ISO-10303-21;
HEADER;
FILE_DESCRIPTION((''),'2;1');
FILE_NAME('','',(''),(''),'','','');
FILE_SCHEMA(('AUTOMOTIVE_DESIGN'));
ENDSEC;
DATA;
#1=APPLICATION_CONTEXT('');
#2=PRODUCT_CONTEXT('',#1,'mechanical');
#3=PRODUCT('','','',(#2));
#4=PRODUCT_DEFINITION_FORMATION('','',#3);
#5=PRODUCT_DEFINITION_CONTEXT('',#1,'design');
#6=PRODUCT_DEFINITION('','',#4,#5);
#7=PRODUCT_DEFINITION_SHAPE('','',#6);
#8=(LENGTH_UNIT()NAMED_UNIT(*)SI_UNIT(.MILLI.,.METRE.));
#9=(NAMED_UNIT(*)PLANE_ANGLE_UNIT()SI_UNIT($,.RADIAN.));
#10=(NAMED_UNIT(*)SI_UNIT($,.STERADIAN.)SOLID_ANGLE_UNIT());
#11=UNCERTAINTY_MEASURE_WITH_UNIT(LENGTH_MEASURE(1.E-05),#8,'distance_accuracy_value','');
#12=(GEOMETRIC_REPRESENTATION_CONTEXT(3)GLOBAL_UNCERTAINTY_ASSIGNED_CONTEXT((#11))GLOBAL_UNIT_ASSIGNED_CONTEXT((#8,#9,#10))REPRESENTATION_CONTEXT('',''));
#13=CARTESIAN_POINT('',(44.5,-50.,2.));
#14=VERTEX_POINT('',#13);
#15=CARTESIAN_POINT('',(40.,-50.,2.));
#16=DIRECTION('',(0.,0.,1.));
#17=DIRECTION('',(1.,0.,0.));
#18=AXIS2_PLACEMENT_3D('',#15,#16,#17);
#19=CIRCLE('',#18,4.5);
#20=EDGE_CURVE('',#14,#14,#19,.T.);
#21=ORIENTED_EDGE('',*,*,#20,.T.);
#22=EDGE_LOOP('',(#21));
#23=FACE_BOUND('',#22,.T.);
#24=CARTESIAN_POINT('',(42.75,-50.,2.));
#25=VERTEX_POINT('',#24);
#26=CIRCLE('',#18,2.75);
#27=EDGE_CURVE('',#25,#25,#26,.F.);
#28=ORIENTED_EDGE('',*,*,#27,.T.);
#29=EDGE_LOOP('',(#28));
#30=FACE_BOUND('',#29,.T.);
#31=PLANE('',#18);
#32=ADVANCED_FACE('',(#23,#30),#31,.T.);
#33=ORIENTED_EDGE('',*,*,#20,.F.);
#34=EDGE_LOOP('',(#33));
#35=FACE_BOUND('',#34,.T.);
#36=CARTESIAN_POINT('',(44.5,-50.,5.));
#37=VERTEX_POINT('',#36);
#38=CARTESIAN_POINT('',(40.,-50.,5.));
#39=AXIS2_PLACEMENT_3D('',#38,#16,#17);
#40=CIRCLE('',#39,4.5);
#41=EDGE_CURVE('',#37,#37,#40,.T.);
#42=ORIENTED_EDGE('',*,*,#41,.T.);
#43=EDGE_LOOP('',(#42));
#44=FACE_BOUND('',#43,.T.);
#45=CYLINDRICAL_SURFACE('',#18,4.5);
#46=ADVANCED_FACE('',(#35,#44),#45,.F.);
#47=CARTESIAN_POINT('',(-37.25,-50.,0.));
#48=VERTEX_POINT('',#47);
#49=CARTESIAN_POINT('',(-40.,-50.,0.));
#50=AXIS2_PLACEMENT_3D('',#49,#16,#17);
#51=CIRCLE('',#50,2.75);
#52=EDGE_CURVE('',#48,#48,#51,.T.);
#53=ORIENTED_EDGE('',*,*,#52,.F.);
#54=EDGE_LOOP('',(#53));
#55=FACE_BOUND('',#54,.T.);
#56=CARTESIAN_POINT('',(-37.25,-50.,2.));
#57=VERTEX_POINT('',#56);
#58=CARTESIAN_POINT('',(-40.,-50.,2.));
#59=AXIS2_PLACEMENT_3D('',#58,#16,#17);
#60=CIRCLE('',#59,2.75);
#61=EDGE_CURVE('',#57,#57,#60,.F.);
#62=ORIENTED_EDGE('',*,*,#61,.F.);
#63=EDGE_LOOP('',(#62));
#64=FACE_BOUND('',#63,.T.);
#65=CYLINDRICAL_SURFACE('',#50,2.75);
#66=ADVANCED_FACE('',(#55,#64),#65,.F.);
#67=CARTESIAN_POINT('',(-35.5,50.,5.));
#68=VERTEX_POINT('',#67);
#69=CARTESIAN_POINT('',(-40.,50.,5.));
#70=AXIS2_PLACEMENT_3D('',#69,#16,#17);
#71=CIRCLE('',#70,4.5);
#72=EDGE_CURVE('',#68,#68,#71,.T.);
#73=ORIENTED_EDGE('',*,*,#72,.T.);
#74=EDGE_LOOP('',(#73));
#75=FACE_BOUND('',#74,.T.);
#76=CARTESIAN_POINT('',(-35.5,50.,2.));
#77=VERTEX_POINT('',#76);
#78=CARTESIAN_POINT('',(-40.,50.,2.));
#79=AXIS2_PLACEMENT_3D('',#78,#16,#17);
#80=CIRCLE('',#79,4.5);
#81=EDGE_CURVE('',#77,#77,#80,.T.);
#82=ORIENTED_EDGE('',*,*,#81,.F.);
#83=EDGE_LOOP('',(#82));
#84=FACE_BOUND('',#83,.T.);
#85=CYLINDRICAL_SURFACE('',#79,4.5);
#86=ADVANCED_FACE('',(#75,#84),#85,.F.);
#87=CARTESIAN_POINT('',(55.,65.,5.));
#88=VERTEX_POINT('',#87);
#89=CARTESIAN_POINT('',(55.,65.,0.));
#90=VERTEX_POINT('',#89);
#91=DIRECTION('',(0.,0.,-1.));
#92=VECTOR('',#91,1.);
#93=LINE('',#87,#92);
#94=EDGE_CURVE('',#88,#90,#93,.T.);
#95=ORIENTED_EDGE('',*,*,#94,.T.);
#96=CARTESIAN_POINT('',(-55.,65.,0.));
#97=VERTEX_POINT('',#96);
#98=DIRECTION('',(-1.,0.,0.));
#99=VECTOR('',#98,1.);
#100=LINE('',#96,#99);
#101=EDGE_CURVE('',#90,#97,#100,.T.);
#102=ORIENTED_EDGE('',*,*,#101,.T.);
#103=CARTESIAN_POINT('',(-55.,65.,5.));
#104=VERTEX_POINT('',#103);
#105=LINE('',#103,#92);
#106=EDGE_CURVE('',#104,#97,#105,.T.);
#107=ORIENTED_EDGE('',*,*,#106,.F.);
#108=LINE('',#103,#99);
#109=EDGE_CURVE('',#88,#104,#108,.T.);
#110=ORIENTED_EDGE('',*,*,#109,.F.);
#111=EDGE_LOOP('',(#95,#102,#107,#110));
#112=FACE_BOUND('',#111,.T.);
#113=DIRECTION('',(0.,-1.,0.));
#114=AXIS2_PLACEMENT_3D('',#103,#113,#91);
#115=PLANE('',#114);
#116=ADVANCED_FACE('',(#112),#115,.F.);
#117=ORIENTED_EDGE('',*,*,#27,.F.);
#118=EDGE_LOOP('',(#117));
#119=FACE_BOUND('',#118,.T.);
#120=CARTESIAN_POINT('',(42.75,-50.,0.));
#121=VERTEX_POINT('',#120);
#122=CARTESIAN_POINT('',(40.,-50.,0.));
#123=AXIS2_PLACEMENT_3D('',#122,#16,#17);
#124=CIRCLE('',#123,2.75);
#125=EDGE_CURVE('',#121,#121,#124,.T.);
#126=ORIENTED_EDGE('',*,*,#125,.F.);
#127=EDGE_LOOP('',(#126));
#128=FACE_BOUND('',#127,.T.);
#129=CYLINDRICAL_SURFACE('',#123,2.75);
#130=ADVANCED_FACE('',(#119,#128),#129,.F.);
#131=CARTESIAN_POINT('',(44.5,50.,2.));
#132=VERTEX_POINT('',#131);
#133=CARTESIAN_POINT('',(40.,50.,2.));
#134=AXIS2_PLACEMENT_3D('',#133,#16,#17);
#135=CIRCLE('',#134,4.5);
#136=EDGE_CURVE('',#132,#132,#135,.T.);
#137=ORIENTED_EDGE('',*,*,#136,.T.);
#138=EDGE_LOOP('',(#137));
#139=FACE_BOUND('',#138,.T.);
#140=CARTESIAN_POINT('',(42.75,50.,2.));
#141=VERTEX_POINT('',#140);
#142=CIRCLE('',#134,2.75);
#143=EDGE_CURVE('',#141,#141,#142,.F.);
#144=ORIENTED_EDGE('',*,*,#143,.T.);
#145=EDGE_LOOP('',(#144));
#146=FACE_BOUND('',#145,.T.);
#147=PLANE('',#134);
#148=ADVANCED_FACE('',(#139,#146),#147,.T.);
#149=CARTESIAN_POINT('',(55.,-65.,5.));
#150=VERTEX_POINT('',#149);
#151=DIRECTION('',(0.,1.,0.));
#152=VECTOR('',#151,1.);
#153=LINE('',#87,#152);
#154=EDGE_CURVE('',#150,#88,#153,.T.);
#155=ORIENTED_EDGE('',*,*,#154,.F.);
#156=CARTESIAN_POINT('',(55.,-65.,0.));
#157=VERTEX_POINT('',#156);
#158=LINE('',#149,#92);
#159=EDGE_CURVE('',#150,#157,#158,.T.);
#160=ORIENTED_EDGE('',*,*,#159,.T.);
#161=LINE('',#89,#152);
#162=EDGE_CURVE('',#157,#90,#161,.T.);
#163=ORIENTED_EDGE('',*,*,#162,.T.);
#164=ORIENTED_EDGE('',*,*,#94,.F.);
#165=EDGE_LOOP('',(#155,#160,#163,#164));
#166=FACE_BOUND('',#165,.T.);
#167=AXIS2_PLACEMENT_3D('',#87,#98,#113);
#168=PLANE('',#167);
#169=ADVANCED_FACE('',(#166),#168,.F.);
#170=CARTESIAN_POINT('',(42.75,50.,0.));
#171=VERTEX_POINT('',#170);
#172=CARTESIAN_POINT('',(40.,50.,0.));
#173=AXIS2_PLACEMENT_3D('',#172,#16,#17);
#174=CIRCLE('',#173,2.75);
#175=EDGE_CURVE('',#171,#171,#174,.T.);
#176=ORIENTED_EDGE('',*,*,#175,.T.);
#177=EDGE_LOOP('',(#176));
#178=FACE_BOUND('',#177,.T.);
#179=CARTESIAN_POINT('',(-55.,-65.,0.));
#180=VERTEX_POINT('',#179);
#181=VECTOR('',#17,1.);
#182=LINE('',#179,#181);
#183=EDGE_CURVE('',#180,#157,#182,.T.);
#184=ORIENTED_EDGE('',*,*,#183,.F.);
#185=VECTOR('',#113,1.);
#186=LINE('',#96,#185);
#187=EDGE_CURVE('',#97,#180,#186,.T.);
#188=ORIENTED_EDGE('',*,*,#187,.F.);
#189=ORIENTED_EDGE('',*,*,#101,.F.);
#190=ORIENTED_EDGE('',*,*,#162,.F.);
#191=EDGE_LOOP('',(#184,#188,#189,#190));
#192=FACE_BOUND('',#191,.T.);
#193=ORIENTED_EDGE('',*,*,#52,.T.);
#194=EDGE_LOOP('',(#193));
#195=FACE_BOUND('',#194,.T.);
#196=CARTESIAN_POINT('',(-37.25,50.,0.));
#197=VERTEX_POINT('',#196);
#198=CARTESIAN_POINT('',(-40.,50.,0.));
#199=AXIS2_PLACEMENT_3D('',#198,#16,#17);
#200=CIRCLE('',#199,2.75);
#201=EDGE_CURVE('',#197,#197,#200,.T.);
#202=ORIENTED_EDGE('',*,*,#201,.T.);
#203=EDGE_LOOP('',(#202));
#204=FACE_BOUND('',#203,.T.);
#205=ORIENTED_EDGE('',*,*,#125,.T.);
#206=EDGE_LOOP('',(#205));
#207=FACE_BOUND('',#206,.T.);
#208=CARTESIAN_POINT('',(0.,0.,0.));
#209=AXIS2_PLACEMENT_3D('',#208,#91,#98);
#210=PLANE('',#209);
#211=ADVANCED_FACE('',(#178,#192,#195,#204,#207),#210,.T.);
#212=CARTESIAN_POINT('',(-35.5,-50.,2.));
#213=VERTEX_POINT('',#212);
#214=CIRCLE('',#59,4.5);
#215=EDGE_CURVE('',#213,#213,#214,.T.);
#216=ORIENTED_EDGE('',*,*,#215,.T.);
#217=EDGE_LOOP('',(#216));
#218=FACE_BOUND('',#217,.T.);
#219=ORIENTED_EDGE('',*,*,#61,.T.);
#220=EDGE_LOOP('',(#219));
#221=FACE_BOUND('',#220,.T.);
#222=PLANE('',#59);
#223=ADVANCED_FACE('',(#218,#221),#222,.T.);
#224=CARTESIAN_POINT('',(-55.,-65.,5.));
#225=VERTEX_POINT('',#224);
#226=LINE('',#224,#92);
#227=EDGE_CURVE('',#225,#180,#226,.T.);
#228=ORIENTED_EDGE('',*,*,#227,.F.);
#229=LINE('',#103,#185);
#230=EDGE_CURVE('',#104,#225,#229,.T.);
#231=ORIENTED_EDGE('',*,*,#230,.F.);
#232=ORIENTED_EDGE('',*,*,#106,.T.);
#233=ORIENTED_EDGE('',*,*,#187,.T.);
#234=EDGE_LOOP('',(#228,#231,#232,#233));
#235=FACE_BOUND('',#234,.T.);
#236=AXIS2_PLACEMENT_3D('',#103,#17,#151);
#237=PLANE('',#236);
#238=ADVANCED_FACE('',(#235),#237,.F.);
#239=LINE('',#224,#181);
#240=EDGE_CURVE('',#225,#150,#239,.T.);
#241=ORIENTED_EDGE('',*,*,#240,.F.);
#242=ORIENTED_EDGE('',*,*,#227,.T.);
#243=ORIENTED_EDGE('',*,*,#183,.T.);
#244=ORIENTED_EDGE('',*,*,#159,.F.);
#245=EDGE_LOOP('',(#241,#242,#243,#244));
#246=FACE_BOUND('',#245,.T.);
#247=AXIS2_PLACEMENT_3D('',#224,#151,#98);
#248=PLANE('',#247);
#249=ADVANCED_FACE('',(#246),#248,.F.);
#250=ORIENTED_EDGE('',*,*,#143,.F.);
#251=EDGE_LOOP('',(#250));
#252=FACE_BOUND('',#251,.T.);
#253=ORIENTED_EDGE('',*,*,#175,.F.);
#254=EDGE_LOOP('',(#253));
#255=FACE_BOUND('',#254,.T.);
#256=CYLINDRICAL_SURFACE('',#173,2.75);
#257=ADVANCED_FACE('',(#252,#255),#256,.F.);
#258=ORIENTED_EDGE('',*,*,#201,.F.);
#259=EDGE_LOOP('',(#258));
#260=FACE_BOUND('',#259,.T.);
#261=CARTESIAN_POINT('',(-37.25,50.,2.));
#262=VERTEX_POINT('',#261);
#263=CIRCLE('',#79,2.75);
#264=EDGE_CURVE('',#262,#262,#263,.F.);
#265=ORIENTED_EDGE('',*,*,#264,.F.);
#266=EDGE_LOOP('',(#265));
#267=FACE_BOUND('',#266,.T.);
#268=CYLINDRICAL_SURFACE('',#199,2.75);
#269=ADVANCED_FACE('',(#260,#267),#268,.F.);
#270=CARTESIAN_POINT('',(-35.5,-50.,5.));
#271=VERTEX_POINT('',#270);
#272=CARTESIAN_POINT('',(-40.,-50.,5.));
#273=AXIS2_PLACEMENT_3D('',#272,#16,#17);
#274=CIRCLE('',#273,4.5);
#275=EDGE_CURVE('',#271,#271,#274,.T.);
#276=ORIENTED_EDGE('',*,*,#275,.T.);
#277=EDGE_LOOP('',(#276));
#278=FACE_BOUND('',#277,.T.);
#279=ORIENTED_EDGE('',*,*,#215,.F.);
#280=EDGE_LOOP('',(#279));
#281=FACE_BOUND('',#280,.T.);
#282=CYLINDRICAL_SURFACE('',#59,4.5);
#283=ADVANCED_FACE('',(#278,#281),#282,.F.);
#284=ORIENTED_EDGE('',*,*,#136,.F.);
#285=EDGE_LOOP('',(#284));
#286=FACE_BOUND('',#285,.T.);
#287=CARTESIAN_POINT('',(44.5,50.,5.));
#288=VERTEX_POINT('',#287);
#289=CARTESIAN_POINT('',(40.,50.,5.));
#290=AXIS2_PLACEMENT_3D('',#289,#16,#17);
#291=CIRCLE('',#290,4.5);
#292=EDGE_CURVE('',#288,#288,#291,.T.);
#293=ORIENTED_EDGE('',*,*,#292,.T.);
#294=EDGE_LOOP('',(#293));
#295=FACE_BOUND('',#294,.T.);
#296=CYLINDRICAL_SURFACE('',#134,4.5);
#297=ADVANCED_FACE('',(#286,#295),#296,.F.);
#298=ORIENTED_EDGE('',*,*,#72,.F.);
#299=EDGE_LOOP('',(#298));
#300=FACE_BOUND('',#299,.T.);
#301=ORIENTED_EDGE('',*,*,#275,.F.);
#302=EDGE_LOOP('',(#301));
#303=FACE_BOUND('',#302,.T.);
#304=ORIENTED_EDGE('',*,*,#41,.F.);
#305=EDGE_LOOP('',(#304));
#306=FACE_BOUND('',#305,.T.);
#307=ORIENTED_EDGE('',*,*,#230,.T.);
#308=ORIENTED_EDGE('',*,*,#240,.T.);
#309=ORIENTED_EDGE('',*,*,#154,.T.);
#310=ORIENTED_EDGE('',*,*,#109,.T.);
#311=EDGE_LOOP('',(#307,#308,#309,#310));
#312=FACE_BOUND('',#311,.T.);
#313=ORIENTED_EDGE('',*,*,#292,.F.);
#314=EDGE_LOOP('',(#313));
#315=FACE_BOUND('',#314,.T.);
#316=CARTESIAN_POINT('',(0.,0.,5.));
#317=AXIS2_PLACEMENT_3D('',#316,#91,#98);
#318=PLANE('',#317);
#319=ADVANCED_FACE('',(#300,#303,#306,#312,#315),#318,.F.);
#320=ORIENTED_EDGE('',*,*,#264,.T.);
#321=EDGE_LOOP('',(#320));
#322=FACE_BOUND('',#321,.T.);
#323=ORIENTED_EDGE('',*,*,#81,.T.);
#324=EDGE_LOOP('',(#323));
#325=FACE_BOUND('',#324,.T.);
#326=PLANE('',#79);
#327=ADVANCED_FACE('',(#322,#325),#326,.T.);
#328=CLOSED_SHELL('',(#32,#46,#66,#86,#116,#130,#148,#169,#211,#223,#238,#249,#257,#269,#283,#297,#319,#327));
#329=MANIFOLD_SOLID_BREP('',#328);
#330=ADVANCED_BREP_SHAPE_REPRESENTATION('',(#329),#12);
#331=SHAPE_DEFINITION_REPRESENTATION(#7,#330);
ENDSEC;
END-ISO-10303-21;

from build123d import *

# Parameters (mm, degrees)
SKETCH1_W           = 130
SKETCH1_H           = 110
BOSS_EXTRUDE1_DEPTH = 5
SKETCH3_R           = 2.75
CUT_EXTRUDE1_DEPTH  = 86.293610546
SKETCH4_R           = 4.5
CUT_EXTRUDE2_DEPTH  = 3


with BuildPart() as part:
    # Sketch1 → Boss-Extrude1 (new body)
    with BuildSketch(Plane(origin=(0, 0, 0), x_dir=(0, 1, 0), z_dir=(0, 0, 1))):
        Rectangle(SKETCH1_W, SKETCH1_H)
    extrude(amount=BOSS_EXTRUDE1_DEPTH)

    # Sketch3 → Cut-Extrude1 (cut, through all)
    with BuildSketch(Plane.XY.offset(5)):
        with Locations((-40, 50)):
            Circle(SKETCH3_R)
        with Locations((40, -50)):
            Circle(SKETCH3_R)
        with Locations((-40, -50)):
            Circle(SKETCH3_R)
        with Locations((40, 50)):
            Circle(SKETCH3_R)
    extrude(amount=-CUT_EXTRUDE1_DEPTH, mode=Mode.SUBTRACT)

    # Sketch4 → Cut-Extrude2 (cut)
    with BuildSketch(Plane.XY.offset(5)):
        with Locations((-40, 50)):
            Circle(SKETCH4_R)
        with Locations((40, 50)):
            Circle(SKETCH4_R)
        with Locations((40, -50)):
            Circle(SKETCH4_R)
        with Locations((-40, -50)):
            Circle(SKETCH4_R)
    extrude(amount=-CUT_EXTRUDE2_DEPTH, mode=Mode.SUBTRACT)


solid = part.part
